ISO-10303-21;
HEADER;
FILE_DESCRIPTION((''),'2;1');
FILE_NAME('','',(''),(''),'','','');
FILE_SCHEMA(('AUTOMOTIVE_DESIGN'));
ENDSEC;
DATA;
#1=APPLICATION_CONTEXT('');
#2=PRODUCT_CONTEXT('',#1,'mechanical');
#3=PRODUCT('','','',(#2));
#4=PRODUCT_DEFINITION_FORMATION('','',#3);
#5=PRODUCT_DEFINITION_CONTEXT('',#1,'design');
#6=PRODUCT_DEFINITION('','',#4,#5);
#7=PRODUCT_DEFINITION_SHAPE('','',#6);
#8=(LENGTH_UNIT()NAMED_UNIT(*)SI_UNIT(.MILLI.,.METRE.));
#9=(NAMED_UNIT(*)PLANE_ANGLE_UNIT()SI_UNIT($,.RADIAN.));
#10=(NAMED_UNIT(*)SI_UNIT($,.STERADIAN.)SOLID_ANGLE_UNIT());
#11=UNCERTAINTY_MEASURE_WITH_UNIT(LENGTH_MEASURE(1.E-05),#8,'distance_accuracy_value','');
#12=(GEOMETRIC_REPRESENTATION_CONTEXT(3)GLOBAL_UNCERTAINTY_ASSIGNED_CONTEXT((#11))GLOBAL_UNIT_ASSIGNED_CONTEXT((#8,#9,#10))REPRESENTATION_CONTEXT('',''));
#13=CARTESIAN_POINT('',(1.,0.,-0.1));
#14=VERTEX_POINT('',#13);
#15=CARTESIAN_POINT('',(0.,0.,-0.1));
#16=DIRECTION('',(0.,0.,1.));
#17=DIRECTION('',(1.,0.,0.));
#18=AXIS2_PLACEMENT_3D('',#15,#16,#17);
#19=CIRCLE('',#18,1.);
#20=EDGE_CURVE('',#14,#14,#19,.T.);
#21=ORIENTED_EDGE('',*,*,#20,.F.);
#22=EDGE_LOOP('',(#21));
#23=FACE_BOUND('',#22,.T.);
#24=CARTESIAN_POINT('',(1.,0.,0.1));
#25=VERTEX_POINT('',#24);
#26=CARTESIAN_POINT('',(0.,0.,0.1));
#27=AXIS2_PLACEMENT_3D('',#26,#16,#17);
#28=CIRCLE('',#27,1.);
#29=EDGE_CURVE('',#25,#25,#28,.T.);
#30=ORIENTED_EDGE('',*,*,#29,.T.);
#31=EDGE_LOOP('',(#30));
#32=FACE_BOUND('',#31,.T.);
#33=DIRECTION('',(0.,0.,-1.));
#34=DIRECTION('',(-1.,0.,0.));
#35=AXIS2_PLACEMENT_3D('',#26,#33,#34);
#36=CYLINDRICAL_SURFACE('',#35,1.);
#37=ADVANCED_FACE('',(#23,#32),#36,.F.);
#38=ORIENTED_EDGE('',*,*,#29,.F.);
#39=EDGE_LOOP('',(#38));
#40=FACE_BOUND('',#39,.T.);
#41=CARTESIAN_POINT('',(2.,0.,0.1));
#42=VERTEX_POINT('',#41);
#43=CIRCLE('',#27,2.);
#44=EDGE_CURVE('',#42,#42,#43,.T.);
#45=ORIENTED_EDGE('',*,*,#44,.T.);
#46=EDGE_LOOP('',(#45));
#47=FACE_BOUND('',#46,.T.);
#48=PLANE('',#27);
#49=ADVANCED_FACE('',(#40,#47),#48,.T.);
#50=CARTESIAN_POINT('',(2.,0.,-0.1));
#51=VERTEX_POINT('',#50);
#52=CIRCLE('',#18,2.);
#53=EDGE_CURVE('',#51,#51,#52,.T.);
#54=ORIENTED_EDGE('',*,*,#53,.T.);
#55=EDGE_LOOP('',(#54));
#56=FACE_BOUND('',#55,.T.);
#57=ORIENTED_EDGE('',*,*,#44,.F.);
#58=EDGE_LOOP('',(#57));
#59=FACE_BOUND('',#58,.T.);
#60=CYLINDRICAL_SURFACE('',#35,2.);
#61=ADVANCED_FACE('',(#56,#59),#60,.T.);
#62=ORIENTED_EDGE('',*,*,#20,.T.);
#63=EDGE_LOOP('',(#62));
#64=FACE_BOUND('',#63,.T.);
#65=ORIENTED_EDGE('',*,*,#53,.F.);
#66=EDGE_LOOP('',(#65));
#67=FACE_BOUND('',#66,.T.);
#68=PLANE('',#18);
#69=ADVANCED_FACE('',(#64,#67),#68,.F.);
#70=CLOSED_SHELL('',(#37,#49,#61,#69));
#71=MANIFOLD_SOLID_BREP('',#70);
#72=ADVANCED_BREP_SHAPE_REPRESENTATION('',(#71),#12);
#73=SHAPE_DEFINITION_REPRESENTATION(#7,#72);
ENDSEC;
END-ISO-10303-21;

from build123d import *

# Parameters (mm, degrees)
SKETCH_1_R      = 2
SKETCH_1_R_2    = 1
EXTRUDE_1_DEPTH = 0.1


with BuildPart() as part:
    # 草图1 → 凸台-拉伸1 (new, symmetric)
    with BuildSketch(Plane.XY):
        Circle(SKETCH_1_R)
        Circle(SKETCH_1_R_2, mode=Mode.SUBTRACT)
    extrude(amount=EXTRUDE_1_DEPTH, both=True)


solid = part.part
